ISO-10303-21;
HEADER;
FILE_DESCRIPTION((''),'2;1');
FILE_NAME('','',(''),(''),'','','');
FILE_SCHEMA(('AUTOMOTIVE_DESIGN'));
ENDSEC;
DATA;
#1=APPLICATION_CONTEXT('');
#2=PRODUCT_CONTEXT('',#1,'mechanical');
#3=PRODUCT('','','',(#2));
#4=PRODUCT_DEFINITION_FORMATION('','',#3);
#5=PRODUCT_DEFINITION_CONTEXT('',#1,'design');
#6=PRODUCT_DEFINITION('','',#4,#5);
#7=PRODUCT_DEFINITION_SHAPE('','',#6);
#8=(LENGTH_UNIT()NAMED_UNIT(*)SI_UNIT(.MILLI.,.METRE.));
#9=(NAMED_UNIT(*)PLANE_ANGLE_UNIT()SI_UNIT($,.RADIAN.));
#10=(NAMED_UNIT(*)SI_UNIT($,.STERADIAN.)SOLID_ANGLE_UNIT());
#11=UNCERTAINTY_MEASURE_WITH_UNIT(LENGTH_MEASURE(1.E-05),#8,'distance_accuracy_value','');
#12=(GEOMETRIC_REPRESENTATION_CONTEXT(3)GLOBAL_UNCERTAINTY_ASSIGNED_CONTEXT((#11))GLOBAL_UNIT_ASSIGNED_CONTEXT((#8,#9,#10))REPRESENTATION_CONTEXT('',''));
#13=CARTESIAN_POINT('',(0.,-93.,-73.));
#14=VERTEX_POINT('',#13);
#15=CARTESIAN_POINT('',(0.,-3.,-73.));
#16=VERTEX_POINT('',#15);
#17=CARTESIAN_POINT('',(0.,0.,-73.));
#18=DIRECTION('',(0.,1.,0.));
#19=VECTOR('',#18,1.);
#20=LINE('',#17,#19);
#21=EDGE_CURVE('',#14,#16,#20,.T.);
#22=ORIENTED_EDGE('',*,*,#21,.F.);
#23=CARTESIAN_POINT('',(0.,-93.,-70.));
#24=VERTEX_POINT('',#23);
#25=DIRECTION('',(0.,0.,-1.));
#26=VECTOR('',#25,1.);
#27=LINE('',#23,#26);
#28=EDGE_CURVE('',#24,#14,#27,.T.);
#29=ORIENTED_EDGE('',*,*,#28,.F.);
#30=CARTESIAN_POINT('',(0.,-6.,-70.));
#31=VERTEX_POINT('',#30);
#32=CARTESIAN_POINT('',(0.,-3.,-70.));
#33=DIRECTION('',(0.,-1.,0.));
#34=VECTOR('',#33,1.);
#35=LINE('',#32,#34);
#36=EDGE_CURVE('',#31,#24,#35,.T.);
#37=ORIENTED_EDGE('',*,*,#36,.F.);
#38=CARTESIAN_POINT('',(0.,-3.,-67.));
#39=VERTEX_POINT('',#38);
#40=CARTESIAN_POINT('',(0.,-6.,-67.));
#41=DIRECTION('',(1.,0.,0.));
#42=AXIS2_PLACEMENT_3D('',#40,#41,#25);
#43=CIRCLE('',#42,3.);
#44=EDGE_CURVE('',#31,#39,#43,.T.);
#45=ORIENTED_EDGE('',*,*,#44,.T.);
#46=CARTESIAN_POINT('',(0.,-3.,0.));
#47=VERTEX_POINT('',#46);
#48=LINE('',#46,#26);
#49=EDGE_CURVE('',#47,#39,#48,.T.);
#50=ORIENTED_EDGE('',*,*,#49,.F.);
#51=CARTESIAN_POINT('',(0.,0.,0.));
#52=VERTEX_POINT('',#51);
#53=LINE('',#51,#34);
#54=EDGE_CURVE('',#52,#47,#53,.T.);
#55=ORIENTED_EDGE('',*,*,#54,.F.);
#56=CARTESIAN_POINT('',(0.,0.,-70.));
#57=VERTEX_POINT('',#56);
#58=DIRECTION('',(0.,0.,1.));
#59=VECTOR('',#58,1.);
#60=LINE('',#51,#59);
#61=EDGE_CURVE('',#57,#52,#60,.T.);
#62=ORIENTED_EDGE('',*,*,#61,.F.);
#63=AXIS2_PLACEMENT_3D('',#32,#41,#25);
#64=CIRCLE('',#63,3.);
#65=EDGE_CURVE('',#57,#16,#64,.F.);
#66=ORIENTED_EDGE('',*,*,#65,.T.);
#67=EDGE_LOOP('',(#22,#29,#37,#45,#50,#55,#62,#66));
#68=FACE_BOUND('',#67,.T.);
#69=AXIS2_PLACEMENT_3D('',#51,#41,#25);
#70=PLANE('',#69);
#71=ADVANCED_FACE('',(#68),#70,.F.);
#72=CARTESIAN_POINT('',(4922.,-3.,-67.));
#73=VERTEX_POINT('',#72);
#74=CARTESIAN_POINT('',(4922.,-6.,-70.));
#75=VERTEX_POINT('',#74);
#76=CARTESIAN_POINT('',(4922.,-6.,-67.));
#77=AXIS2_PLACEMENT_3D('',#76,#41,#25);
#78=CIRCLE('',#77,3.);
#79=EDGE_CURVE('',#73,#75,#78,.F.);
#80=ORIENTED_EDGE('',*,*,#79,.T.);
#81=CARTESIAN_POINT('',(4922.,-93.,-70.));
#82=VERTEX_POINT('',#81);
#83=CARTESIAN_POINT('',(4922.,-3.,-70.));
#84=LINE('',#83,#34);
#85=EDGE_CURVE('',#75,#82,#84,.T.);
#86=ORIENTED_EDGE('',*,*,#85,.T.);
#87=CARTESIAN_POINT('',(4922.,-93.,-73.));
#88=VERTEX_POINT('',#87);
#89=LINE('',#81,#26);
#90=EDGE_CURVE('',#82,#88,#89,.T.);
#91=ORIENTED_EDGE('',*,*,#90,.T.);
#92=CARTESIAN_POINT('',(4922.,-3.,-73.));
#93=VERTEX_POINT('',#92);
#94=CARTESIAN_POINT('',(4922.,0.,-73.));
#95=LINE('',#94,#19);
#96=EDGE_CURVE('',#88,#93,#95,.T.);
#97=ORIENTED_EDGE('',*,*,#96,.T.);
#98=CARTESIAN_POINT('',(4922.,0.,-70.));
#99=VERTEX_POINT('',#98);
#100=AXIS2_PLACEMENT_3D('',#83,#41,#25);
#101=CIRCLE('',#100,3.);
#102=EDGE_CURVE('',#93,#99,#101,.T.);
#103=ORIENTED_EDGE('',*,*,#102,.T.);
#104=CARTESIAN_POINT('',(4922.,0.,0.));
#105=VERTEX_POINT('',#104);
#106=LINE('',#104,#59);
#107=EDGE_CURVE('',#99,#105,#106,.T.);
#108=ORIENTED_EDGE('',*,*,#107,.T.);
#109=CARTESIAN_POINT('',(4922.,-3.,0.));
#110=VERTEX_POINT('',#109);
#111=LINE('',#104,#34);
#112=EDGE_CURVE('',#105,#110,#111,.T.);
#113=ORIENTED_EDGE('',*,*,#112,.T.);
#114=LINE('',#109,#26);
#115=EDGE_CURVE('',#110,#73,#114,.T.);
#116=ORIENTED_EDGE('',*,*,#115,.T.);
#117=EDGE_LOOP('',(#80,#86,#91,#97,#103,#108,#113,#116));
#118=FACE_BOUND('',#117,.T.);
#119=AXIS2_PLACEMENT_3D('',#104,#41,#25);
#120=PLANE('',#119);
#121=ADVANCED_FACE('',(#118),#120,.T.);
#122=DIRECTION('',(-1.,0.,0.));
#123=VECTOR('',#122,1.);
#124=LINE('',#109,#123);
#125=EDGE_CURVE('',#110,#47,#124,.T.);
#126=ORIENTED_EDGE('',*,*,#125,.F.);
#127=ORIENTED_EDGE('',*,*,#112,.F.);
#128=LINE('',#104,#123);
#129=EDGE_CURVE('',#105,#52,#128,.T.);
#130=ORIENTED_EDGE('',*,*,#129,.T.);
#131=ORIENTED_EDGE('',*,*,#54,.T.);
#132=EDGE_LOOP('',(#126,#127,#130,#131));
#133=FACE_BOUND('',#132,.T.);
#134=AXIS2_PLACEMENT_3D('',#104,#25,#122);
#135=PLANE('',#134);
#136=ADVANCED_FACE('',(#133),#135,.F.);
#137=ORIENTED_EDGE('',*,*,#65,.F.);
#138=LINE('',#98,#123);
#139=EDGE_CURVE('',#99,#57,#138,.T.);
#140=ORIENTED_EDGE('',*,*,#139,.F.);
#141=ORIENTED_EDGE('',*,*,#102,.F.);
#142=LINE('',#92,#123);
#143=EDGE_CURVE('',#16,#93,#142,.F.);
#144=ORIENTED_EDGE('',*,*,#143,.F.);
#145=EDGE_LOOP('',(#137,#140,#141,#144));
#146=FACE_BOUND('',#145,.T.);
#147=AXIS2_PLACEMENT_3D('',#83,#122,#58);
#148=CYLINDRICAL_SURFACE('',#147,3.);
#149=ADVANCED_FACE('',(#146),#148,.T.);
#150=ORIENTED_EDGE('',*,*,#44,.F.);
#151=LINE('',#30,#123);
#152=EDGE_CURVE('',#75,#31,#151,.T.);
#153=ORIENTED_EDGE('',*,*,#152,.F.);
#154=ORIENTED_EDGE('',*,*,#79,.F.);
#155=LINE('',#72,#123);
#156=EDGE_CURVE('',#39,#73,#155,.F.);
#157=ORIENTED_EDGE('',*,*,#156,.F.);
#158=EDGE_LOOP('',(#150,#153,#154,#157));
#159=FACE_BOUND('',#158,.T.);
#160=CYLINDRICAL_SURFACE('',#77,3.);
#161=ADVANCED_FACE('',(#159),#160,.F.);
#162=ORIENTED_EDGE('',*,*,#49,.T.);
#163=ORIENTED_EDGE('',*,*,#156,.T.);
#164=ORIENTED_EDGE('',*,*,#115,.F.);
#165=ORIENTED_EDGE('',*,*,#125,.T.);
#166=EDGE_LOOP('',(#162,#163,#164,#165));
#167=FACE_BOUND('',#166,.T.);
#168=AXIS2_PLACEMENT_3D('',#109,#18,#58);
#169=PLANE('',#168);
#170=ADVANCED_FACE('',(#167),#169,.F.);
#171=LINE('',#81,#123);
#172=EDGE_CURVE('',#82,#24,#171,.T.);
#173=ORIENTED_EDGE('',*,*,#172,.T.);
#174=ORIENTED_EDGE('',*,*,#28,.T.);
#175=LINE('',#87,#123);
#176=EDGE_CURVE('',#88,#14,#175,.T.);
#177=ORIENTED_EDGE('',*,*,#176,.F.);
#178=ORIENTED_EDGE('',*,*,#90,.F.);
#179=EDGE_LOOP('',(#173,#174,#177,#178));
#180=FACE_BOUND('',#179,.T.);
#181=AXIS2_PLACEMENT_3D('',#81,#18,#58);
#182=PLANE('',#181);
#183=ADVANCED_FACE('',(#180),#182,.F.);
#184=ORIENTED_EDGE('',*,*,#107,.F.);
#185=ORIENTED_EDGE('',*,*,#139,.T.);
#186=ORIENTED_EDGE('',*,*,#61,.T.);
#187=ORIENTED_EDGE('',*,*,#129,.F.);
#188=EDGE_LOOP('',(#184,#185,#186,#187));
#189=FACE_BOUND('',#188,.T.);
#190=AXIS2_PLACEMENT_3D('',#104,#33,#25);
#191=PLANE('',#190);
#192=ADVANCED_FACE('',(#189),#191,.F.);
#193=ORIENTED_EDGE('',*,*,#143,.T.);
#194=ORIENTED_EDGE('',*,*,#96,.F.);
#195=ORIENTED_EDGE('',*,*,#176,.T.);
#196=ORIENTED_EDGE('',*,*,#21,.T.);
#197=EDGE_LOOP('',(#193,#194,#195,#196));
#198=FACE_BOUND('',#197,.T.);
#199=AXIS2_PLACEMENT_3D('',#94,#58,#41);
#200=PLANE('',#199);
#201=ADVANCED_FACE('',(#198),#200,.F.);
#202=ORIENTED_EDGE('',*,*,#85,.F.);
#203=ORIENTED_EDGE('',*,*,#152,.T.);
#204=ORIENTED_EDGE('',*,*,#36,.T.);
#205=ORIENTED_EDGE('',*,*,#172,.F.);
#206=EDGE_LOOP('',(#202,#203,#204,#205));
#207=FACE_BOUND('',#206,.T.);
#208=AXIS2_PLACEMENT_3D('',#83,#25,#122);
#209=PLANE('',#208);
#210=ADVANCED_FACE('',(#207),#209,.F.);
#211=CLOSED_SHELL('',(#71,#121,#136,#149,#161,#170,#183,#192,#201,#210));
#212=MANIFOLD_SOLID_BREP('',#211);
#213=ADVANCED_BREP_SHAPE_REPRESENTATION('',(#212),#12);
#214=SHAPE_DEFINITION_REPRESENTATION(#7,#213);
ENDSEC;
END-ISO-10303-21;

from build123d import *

# Parameters (mm, degrees)
BOSS_EXTRUDE1_DEPTH = 4922
FILLET1_R           = 3


with BuildPart() as part:
    # Sketch1 → Boss-Extrude1 (new body)
    with BuildSketch(Plane(origin=(0, 0, 0), x_dir=(0, 0, -1), z_dir=(1, 0, 0))):
        Polygon((0, 0), (73, 0), (73, -93), (70, -93), (70, -3), (0, -3), align=None)
    extrude(amount=BOSS_EXTRUDE1_DEPTH)

    # Fillet1
    fillet1_edges = [part.edges().sort_by_distance(p)[0] for p in [
        (2461, 0, -73),
        (2461, -3, -70),
    ]]
    fillet(fillet1_edges, radius=FILLET1_R)


solid = part.part
